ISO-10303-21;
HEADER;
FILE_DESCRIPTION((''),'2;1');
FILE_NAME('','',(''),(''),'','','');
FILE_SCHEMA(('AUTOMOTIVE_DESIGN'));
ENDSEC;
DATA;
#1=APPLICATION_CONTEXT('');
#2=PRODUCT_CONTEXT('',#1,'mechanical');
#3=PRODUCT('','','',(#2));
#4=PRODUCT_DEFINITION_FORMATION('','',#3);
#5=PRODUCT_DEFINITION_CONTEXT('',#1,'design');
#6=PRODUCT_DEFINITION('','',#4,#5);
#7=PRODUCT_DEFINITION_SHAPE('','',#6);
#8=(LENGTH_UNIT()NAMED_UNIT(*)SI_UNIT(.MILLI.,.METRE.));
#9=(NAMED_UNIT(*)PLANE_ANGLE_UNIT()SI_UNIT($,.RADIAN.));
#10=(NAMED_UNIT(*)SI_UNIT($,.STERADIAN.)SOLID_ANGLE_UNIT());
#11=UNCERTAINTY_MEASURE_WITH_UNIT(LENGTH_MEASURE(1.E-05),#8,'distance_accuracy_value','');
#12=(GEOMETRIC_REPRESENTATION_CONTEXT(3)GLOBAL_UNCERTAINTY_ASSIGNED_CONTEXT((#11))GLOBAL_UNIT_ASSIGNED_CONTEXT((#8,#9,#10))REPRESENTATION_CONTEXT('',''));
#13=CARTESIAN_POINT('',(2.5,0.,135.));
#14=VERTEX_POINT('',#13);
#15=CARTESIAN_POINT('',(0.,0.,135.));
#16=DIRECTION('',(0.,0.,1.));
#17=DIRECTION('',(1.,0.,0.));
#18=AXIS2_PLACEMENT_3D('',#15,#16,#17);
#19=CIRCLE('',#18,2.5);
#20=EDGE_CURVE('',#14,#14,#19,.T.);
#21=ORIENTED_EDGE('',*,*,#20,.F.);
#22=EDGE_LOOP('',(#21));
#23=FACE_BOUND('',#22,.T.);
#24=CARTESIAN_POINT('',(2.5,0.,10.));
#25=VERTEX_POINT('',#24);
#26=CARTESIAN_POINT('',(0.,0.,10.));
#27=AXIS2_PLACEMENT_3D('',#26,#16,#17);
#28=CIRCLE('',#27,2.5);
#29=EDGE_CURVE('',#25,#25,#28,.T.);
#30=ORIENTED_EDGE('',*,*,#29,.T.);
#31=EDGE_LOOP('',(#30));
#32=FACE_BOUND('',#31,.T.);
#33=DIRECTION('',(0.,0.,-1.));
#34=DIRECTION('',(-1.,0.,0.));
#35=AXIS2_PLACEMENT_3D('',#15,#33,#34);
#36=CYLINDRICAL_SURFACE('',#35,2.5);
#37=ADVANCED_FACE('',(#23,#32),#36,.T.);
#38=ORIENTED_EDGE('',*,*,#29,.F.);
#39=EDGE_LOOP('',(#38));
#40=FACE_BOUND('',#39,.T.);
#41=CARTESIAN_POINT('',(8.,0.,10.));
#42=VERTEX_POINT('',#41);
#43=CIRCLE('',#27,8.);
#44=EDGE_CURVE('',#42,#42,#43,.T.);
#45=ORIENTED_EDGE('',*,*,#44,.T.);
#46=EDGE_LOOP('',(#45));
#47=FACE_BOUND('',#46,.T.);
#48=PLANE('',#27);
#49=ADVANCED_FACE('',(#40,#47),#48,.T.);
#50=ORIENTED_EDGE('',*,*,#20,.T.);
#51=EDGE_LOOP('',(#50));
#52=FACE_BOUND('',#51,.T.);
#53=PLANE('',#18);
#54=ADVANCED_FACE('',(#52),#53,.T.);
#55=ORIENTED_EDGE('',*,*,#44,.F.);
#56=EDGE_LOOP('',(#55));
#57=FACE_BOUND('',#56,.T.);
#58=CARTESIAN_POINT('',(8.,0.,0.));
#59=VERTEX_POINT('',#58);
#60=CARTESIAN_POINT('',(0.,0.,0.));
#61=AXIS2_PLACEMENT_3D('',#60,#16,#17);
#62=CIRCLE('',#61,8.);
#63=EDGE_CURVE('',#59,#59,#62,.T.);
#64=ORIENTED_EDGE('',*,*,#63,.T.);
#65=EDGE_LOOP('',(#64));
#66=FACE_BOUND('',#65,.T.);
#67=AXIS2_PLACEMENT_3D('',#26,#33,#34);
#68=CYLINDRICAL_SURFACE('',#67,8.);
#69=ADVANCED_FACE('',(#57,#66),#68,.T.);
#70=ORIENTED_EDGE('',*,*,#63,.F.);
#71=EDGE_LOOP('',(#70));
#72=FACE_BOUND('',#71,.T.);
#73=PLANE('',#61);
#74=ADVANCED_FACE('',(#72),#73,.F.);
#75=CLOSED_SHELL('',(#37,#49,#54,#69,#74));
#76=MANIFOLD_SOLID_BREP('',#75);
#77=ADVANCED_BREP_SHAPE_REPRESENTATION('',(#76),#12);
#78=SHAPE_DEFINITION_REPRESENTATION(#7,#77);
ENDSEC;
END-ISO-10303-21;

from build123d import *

# Parameters (mm, degrees)
SKETCH_1_R      = 8
EXTRUDE_1_DEPTH = 10
SKETCH_2_R      = 2.5
EXTRUDE_2_DEPTH = 125


with BuildPart() as part:
    # 草图1 → 凸台-拉伸1 (new body)
    with BuildSketch(Plane.XY):
        Circle(SKETCH_1_R)
    extrude(amount=EXTRUDE_1_DEPTH)

    # 草图2 → 凸台-拉伸2 (add)
    with BuildSketch(Plane.XY.offset(10)):
        Circle(SKETCH_2_R)
    extrude(amount=EXTRUDE_2_DEPTH)


solid = part.part
